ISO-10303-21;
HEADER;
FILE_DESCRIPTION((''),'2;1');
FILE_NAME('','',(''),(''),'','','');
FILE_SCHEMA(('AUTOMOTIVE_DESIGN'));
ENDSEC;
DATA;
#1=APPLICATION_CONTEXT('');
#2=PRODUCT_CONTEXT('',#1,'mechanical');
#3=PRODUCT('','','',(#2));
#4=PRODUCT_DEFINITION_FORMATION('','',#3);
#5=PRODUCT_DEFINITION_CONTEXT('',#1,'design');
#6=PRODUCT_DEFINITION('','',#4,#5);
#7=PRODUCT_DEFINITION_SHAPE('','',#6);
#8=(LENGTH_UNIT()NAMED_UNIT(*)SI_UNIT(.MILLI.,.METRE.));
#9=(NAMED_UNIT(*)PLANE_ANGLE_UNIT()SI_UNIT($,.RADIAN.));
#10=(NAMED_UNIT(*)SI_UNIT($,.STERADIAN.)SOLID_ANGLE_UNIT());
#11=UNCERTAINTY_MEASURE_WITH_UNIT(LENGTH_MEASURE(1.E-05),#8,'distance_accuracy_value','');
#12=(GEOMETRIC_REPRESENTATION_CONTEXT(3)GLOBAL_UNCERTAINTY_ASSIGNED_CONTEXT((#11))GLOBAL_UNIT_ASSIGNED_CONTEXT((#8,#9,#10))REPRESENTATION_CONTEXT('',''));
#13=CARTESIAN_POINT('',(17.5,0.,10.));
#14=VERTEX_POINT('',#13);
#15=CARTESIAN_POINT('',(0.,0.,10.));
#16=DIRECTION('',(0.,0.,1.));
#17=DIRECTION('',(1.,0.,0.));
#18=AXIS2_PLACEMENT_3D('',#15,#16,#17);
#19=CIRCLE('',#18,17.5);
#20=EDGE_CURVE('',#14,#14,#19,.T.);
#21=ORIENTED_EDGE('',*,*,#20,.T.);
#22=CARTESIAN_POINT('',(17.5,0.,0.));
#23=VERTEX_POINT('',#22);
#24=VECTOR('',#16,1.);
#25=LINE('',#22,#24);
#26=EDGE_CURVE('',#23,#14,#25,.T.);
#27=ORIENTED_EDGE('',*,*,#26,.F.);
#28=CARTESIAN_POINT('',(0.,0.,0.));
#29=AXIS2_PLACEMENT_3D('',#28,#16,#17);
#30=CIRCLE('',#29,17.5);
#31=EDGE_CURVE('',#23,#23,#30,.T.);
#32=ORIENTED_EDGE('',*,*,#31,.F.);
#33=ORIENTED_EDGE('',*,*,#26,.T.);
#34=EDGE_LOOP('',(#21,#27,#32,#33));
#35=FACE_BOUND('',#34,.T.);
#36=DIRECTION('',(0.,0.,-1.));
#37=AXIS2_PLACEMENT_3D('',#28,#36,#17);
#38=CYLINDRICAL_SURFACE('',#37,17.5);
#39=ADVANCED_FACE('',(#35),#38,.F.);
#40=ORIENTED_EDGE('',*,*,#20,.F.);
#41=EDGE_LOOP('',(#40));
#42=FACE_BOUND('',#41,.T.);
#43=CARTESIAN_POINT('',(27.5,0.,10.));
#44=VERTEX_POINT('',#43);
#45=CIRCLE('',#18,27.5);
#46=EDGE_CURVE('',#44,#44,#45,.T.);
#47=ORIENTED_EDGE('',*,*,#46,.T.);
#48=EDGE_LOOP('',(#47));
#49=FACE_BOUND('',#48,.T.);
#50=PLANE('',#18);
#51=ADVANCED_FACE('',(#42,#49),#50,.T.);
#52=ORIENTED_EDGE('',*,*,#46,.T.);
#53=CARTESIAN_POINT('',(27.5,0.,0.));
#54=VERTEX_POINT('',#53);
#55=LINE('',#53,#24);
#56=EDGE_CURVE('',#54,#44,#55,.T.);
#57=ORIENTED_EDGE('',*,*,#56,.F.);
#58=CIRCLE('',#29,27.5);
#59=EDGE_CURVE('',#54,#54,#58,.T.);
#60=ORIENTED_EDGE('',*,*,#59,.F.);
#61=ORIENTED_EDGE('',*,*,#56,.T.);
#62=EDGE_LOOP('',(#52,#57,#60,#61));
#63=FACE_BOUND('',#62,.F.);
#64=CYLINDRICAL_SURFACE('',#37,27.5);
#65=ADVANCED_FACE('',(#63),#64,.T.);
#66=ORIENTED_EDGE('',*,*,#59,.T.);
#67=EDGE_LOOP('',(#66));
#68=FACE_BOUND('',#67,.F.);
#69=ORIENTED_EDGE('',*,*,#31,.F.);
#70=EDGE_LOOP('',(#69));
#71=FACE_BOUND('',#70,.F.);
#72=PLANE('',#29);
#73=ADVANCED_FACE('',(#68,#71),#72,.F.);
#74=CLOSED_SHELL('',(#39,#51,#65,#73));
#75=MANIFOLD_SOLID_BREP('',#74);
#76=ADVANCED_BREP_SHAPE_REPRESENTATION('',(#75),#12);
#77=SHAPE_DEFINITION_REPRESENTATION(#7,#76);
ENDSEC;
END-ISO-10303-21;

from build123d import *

# Parameters (mm, degrees)
SKETCH_R   = 27.5
SKETCH_R_2 = 17.5
PAD_DEPTH  = 10


with BuildPart() as part:
    # Sketch → Pad (new body)
    with BuildSketch(Plane.XY):
        Circle(SKETCH_R)
        Circle(SKETCH_R_2, mode=Mode.SUBTRACT)
    extrude(amount=PAD_DEPTH)


solid = part.part
